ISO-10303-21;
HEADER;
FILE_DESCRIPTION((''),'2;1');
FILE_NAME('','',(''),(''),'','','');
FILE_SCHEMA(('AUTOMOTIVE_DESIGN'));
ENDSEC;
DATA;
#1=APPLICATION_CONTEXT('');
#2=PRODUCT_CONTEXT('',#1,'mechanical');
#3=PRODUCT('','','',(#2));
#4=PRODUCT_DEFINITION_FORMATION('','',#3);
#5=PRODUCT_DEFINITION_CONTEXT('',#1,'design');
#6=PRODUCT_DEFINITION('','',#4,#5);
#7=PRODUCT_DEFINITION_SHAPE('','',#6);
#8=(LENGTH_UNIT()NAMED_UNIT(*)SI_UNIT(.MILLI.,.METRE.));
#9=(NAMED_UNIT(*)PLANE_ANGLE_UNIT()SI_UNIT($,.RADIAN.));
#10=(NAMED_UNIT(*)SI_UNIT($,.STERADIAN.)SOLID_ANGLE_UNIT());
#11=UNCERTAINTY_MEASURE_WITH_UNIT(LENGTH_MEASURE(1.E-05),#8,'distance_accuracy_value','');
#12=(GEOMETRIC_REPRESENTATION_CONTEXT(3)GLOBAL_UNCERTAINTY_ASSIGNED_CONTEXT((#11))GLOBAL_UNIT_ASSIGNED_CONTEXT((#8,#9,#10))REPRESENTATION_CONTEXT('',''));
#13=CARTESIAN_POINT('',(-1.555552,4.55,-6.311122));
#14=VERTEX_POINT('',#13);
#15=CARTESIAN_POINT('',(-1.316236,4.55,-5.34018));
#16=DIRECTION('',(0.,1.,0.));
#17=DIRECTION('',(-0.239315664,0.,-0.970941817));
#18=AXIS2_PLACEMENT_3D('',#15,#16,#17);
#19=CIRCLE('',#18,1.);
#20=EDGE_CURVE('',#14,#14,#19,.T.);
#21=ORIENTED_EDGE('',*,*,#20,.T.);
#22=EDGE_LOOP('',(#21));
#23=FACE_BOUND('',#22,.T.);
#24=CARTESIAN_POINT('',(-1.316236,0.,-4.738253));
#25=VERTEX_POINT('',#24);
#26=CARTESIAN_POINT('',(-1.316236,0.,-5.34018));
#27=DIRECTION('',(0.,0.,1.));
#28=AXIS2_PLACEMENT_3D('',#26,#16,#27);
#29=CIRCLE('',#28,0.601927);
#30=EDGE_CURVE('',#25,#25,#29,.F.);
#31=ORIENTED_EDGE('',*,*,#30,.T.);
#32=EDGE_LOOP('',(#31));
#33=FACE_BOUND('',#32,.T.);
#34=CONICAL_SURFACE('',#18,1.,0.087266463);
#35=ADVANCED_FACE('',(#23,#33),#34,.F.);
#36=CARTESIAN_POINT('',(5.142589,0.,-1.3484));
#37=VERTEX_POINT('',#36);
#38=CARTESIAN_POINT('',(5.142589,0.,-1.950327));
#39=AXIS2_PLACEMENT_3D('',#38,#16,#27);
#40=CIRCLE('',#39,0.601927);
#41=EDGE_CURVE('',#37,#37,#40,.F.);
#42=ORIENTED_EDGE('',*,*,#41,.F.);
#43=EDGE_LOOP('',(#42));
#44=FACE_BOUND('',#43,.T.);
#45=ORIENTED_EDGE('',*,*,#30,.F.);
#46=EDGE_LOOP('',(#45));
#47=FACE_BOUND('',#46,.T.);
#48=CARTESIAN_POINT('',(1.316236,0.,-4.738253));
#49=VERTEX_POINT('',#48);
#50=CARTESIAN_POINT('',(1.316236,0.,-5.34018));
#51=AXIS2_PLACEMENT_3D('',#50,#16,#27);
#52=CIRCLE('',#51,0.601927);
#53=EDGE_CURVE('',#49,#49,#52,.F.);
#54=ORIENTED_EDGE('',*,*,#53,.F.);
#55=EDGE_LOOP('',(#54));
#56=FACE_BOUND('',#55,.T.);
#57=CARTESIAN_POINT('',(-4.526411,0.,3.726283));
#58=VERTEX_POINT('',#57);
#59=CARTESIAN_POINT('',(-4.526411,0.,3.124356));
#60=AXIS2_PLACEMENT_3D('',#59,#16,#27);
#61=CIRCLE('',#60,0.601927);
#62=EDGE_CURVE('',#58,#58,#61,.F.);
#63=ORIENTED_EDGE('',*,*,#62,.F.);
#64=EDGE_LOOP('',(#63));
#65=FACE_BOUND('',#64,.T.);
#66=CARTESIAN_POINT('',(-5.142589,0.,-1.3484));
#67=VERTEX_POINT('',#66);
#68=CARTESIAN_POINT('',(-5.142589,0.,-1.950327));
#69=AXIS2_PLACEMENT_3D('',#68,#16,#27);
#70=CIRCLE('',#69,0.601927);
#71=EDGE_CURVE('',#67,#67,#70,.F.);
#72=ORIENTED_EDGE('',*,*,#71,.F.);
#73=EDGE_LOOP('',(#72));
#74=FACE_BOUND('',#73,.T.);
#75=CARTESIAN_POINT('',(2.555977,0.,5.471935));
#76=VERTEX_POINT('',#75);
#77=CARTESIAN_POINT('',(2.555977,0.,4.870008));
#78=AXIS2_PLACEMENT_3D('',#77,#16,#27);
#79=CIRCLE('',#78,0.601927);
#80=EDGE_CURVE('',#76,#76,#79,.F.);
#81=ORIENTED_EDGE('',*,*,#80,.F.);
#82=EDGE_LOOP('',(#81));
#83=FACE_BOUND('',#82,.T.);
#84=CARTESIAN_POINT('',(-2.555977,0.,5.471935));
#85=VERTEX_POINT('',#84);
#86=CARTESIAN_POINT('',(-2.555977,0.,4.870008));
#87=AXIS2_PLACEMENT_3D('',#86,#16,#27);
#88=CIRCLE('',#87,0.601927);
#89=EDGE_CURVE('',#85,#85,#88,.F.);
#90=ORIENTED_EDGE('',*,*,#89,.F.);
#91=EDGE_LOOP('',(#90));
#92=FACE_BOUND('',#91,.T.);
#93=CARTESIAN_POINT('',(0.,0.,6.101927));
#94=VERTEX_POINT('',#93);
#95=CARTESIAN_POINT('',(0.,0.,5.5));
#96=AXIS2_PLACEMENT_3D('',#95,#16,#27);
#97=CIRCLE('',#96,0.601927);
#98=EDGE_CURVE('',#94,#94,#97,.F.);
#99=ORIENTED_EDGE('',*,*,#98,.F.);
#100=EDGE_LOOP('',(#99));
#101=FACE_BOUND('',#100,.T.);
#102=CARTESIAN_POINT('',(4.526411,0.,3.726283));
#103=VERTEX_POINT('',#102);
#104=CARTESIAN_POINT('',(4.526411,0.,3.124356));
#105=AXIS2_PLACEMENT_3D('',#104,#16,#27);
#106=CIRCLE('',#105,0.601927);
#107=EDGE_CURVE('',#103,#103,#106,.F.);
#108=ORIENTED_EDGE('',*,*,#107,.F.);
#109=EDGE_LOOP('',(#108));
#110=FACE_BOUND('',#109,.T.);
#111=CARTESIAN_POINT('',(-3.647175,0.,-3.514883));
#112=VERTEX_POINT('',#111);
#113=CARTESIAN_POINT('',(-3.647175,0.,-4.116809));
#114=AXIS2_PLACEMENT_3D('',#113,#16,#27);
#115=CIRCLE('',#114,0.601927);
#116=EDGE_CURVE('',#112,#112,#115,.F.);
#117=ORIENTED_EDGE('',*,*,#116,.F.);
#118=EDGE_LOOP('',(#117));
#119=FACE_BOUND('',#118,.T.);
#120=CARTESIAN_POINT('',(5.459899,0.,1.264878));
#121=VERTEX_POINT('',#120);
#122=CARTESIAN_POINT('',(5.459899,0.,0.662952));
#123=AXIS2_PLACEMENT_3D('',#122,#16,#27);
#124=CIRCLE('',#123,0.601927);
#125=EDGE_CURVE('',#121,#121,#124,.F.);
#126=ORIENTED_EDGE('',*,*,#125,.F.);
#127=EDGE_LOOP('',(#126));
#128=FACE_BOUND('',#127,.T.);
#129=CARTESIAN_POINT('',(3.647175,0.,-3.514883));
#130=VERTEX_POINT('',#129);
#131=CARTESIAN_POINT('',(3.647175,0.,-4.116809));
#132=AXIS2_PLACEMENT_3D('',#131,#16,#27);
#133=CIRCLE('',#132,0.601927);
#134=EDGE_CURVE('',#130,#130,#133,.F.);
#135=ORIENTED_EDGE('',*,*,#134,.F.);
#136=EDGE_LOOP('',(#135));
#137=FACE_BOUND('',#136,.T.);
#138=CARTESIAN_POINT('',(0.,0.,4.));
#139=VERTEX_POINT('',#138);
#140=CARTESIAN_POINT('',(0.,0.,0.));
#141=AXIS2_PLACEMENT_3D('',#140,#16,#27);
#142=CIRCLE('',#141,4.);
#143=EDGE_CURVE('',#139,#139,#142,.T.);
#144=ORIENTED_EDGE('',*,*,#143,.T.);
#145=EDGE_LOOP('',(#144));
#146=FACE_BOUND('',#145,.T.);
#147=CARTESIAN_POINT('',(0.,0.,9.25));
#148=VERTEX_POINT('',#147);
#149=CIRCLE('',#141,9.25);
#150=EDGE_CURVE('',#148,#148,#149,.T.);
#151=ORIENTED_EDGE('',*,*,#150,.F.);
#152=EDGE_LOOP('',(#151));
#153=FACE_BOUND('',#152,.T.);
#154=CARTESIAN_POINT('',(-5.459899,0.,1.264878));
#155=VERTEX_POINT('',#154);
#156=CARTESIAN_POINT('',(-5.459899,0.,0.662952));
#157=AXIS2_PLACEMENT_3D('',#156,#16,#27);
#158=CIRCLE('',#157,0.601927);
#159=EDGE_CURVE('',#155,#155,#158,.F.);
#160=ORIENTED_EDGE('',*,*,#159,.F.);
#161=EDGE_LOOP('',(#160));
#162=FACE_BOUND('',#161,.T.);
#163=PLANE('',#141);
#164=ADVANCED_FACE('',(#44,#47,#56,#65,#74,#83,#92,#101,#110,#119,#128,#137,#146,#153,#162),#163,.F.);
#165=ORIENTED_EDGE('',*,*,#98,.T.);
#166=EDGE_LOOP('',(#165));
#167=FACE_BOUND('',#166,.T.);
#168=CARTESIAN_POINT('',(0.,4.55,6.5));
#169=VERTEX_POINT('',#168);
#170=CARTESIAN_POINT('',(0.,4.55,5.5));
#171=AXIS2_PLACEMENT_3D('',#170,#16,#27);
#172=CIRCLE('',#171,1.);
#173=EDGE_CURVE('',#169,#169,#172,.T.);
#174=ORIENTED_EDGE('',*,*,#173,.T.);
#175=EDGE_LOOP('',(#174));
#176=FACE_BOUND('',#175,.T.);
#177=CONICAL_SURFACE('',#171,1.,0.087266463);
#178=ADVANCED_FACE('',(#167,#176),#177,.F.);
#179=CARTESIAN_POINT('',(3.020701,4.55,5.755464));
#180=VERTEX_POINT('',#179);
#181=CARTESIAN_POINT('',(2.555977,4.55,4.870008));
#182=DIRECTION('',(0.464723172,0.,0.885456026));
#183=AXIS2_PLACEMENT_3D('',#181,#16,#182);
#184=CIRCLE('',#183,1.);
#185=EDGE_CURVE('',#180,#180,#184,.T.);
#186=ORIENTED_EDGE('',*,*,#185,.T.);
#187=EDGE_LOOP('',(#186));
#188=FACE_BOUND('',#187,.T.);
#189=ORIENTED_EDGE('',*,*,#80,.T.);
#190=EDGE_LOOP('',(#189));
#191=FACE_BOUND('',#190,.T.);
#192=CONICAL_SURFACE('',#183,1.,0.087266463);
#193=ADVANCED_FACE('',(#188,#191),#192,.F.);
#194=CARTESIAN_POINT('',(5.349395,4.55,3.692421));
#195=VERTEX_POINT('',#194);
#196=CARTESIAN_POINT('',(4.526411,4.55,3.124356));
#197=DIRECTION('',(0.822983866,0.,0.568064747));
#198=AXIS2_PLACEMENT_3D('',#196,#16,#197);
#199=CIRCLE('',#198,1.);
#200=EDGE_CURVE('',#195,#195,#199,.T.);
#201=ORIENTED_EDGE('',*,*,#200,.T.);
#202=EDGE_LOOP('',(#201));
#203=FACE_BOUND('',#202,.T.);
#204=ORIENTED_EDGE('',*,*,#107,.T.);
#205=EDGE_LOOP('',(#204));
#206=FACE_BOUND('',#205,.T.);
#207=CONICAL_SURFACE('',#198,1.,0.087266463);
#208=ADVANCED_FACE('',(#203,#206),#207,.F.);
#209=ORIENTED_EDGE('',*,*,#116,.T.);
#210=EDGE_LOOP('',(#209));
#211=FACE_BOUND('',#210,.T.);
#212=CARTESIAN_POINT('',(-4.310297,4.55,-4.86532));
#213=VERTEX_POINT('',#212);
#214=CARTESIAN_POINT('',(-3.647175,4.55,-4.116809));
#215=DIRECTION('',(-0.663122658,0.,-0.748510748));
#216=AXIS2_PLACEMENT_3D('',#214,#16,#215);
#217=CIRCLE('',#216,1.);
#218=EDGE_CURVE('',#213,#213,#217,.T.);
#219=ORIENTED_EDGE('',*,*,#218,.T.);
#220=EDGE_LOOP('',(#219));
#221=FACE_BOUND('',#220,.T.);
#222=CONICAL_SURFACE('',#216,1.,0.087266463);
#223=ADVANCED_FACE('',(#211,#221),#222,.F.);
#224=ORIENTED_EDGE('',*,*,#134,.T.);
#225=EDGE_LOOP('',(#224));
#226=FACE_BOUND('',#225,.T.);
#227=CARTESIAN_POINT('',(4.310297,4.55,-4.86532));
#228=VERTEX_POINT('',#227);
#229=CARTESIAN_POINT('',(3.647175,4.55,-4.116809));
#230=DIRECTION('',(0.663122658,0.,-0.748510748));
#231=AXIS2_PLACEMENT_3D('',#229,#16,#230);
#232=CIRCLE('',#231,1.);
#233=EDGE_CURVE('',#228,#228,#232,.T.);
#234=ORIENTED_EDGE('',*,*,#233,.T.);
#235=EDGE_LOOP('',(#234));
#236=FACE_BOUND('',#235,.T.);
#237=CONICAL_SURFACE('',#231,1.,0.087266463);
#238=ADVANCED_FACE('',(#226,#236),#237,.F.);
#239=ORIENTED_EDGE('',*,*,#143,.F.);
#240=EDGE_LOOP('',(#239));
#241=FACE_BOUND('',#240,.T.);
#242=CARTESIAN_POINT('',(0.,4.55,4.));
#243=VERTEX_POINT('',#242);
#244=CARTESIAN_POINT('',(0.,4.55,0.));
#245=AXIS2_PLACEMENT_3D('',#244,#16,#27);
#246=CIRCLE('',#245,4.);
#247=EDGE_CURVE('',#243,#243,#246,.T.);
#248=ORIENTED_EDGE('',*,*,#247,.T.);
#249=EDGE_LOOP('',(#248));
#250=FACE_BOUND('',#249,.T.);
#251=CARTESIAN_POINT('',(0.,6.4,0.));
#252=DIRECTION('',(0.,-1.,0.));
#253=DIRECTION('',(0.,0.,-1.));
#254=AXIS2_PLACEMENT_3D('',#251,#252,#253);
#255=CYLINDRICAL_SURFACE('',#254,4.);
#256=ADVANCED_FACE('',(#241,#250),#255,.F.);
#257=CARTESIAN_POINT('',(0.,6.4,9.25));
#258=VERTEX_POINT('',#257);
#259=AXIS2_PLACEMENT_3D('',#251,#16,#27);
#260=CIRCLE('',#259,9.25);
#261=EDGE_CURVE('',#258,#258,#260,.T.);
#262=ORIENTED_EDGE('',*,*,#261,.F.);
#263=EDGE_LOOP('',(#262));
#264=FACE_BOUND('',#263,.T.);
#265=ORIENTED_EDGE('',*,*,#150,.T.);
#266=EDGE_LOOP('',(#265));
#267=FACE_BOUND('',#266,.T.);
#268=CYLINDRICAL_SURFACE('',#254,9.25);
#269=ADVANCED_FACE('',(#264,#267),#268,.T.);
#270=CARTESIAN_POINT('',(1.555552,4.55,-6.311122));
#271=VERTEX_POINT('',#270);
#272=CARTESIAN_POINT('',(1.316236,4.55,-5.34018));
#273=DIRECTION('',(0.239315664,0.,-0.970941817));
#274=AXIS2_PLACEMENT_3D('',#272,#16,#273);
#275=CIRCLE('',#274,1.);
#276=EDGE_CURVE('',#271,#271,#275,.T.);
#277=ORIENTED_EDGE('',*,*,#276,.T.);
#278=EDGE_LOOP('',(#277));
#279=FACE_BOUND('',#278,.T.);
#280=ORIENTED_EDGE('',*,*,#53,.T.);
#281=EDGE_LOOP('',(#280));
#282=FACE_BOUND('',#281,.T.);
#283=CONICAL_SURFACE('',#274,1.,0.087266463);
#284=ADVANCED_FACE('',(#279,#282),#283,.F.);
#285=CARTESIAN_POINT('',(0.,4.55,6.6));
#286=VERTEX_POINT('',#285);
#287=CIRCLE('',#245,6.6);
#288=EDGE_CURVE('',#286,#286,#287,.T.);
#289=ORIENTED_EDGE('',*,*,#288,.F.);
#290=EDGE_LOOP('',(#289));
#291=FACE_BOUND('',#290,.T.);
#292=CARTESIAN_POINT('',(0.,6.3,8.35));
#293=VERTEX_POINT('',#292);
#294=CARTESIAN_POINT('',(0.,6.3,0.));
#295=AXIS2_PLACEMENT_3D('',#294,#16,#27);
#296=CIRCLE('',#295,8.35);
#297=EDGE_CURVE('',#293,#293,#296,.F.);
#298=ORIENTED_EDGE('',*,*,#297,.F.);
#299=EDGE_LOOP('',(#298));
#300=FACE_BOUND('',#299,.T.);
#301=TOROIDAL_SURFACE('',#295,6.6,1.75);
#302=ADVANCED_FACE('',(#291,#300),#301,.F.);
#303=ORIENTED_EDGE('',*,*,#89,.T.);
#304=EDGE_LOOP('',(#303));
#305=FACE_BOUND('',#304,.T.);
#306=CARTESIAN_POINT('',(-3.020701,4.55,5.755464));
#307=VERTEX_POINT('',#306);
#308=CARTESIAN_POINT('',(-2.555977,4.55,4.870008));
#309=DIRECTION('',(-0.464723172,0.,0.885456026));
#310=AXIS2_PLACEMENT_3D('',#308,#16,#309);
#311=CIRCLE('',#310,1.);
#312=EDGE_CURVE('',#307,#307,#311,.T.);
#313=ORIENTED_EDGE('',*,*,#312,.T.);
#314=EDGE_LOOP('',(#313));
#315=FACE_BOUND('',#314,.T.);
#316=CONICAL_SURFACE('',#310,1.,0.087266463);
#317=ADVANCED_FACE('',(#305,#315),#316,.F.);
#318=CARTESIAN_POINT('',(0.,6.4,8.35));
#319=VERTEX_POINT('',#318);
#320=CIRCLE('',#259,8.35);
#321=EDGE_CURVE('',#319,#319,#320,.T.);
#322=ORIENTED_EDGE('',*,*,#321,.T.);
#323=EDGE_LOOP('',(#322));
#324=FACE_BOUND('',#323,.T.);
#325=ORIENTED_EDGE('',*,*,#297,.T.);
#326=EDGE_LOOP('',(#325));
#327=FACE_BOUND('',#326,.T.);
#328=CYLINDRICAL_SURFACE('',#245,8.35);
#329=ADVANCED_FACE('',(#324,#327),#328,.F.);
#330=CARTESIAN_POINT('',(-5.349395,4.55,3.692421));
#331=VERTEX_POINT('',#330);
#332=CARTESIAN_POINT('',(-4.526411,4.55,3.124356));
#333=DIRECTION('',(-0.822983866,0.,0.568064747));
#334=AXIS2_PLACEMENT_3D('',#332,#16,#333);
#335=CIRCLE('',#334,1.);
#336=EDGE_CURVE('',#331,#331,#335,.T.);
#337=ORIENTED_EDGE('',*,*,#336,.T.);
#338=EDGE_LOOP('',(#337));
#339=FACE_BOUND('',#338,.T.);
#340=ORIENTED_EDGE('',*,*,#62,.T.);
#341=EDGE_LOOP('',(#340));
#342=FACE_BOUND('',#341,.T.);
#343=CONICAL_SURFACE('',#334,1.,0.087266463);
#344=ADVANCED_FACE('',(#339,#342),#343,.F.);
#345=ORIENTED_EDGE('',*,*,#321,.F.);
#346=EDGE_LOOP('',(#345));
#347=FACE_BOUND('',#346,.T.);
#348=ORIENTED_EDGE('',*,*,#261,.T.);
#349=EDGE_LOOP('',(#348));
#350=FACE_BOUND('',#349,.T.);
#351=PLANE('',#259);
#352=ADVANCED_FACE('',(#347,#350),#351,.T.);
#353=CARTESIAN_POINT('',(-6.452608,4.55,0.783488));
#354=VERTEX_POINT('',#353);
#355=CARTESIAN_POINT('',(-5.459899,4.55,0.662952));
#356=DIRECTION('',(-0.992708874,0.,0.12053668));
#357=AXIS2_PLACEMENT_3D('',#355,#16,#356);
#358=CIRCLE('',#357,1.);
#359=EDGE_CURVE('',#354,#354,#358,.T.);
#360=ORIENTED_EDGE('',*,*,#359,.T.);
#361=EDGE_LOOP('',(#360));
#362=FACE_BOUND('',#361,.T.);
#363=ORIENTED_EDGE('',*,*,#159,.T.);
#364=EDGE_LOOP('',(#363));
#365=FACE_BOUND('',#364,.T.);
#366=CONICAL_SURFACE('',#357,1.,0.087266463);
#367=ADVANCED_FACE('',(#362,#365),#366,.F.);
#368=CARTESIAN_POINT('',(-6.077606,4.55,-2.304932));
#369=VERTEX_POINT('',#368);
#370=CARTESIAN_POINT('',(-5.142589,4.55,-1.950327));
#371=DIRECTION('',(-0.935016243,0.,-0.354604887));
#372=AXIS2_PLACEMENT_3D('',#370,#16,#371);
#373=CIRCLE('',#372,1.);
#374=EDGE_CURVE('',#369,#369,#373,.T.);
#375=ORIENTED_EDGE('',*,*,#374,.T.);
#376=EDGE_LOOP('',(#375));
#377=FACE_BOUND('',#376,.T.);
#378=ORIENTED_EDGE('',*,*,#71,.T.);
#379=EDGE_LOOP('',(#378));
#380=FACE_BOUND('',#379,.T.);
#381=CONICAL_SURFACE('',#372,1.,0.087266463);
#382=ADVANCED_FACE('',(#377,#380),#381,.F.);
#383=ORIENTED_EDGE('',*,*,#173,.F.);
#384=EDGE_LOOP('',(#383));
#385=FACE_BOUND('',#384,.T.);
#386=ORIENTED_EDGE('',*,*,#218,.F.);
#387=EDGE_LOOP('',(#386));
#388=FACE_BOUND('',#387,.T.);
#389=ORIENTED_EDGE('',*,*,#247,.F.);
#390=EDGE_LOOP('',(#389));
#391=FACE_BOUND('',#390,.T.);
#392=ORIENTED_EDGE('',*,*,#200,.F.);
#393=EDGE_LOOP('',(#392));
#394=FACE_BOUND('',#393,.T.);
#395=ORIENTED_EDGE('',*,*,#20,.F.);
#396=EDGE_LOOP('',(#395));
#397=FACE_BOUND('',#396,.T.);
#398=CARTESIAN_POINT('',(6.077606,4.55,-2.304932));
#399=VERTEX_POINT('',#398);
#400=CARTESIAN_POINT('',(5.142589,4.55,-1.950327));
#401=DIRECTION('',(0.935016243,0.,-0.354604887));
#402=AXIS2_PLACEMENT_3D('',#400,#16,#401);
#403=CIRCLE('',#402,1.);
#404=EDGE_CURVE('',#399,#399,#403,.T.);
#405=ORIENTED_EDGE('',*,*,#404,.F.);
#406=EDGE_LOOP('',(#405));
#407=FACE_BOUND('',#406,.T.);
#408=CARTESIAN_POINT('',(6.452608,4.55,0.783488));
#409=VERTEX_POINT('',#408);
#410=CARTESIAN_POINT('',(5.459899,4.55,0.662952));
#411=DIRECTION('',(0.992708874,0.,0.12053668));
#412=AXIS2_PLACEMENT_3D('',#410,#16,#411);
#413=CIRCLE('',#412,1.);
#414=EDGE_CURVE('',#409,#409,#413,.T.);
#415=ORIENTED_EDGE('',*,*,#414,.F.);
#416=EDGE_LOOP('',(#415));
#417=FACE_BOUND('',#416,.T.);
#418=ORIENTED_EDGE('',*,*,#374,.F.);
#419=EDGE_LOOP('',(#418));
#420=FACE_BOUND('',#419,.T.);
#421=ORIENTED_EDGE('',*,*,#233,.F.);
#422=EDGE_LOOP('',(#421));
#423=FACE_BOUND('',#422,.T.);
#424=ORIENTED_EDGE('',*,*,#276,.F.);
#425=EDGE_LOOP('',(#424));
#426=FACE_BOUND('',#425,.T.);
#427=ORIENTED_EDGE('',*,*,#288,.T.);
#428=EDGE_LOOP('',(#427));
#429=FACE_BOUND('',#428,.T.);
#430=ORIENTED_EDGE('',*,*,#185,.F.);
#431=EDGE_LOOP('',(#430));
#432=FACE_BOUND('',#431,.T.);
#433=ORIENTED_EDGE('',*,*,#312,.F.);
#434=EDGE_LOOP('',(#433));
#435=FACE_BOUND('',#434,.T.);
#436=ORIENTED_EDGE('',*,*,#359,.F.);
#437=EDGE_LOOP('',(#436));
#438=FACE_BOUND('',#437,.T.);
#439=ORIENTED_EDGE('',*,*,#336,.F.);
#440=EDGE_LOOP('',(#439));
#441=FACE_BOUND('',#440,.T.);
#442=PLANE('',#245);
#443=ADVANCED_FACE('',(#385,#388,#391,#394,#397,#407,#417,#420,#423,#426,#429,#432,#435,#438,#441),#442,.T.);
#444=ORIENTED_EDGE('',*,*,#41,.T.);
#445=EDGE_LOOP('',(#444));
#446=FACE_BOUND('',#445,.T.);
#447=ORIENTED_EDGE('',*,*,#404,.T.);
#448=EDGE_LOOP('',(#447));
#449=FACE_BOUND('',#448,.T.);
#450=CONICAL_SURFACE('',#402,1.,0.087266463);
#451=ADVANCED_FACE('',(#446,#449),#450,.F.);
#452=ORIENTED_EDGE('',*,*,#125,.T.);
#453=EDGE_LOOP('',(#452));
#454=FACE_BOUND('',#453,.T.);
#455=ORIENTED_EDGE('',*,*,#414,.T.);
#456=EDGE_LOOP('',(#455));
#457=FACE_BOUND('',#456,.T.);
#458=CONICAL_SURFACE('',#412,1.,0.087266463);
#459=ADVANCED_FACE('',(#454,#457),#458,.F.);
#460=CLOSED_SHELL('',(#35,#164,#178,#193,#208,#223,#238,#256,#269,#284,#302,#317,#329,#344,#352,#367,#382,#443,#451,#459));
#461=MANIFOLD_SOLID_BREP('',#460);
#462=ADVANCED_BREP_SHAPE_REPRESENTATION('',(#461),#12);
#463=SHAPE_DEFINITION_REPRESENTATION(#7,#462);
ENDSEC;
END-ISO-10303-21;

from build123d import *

# Parameters (mm, degrees)
SKETCH1_R           = 9.25
SKETCH1_R_2         = 4
BOSS_EXTRUDE1_DEPTH = 6.4
SKETCH2_R           = 8.35
CUT_EXTRUDE1_DEPTH  = 1.85
FILLET1_R           = 1.75
SKETCH3_R           = 1
CUT_EXTRUDE2_DEPTH  = 4.55
CUT_EXTRUDE2_TAPER  = 5
CIRPATTERN1_COUNT   = 13


with BuildPart() as part:
    # Sketch1 → Boss-Extrude1 (new body)
    with BuildSketch(Plane(origin=(0, 0, 0), x_dir=(1, 0, 0), z_dir=(0, 1, 0))):
        Circle(SKETCH1_R)
        Circle(SKETCH1_R_2, mode=Mode.SUBTRACT)
    extrude(amount=BOSS_EXTRUDE1_DEPTH)

    # Sketch2 → Cut-Extrude1 (cut)
    with BuildSketch(Plane(origin=(0, 6.4, 0), x_dir=(1, 0, 0), z_dir=(0, 1, 0))):
        Circle(SKETCH2_R)
    extrude(amount=-CUT_EXTRUDE1_DEPTH, mode=Mode.SUBTRACT)

    # Fillet1
    fillet1_edges = [part.edges().sort_by_distance(p)[0] for p in [
        (-8.35, 4.55, 0),
    ]]
    fillet(fillet1_edges, radius=FILLET1_R)

    # Sketch3 → Cut-Extrude2 (cut)
    with BuildSketch(Plane(origin=(0, 4.55, 0), x_dir=(1, 0, 0), z_dir=(0, 1, 0))):
        with Locations((0, -5.5)):
            Circle(SKETCH3_R)
    cut_extrude2 = extrude(amount=-CUT_EXTRUDE2_DEPTH, taper=CUT_EXTRUDE2_TAPER, mode=Mode.SUBTRACT)

    # CirPattern1: Cut-Extrude2 ×13 about axis
    cirpattern1_axis = Axis((0, 0, 0), (0, 1, 0))
    for i in range(1, CIRPATTERN1_COUNT):
        add(cut_extrude2.rotate(cirpattern1_axis, i * 360 / CIRPATTERN1_COUNT), mode=Mode.SUBTRACT)


solid = part.part
